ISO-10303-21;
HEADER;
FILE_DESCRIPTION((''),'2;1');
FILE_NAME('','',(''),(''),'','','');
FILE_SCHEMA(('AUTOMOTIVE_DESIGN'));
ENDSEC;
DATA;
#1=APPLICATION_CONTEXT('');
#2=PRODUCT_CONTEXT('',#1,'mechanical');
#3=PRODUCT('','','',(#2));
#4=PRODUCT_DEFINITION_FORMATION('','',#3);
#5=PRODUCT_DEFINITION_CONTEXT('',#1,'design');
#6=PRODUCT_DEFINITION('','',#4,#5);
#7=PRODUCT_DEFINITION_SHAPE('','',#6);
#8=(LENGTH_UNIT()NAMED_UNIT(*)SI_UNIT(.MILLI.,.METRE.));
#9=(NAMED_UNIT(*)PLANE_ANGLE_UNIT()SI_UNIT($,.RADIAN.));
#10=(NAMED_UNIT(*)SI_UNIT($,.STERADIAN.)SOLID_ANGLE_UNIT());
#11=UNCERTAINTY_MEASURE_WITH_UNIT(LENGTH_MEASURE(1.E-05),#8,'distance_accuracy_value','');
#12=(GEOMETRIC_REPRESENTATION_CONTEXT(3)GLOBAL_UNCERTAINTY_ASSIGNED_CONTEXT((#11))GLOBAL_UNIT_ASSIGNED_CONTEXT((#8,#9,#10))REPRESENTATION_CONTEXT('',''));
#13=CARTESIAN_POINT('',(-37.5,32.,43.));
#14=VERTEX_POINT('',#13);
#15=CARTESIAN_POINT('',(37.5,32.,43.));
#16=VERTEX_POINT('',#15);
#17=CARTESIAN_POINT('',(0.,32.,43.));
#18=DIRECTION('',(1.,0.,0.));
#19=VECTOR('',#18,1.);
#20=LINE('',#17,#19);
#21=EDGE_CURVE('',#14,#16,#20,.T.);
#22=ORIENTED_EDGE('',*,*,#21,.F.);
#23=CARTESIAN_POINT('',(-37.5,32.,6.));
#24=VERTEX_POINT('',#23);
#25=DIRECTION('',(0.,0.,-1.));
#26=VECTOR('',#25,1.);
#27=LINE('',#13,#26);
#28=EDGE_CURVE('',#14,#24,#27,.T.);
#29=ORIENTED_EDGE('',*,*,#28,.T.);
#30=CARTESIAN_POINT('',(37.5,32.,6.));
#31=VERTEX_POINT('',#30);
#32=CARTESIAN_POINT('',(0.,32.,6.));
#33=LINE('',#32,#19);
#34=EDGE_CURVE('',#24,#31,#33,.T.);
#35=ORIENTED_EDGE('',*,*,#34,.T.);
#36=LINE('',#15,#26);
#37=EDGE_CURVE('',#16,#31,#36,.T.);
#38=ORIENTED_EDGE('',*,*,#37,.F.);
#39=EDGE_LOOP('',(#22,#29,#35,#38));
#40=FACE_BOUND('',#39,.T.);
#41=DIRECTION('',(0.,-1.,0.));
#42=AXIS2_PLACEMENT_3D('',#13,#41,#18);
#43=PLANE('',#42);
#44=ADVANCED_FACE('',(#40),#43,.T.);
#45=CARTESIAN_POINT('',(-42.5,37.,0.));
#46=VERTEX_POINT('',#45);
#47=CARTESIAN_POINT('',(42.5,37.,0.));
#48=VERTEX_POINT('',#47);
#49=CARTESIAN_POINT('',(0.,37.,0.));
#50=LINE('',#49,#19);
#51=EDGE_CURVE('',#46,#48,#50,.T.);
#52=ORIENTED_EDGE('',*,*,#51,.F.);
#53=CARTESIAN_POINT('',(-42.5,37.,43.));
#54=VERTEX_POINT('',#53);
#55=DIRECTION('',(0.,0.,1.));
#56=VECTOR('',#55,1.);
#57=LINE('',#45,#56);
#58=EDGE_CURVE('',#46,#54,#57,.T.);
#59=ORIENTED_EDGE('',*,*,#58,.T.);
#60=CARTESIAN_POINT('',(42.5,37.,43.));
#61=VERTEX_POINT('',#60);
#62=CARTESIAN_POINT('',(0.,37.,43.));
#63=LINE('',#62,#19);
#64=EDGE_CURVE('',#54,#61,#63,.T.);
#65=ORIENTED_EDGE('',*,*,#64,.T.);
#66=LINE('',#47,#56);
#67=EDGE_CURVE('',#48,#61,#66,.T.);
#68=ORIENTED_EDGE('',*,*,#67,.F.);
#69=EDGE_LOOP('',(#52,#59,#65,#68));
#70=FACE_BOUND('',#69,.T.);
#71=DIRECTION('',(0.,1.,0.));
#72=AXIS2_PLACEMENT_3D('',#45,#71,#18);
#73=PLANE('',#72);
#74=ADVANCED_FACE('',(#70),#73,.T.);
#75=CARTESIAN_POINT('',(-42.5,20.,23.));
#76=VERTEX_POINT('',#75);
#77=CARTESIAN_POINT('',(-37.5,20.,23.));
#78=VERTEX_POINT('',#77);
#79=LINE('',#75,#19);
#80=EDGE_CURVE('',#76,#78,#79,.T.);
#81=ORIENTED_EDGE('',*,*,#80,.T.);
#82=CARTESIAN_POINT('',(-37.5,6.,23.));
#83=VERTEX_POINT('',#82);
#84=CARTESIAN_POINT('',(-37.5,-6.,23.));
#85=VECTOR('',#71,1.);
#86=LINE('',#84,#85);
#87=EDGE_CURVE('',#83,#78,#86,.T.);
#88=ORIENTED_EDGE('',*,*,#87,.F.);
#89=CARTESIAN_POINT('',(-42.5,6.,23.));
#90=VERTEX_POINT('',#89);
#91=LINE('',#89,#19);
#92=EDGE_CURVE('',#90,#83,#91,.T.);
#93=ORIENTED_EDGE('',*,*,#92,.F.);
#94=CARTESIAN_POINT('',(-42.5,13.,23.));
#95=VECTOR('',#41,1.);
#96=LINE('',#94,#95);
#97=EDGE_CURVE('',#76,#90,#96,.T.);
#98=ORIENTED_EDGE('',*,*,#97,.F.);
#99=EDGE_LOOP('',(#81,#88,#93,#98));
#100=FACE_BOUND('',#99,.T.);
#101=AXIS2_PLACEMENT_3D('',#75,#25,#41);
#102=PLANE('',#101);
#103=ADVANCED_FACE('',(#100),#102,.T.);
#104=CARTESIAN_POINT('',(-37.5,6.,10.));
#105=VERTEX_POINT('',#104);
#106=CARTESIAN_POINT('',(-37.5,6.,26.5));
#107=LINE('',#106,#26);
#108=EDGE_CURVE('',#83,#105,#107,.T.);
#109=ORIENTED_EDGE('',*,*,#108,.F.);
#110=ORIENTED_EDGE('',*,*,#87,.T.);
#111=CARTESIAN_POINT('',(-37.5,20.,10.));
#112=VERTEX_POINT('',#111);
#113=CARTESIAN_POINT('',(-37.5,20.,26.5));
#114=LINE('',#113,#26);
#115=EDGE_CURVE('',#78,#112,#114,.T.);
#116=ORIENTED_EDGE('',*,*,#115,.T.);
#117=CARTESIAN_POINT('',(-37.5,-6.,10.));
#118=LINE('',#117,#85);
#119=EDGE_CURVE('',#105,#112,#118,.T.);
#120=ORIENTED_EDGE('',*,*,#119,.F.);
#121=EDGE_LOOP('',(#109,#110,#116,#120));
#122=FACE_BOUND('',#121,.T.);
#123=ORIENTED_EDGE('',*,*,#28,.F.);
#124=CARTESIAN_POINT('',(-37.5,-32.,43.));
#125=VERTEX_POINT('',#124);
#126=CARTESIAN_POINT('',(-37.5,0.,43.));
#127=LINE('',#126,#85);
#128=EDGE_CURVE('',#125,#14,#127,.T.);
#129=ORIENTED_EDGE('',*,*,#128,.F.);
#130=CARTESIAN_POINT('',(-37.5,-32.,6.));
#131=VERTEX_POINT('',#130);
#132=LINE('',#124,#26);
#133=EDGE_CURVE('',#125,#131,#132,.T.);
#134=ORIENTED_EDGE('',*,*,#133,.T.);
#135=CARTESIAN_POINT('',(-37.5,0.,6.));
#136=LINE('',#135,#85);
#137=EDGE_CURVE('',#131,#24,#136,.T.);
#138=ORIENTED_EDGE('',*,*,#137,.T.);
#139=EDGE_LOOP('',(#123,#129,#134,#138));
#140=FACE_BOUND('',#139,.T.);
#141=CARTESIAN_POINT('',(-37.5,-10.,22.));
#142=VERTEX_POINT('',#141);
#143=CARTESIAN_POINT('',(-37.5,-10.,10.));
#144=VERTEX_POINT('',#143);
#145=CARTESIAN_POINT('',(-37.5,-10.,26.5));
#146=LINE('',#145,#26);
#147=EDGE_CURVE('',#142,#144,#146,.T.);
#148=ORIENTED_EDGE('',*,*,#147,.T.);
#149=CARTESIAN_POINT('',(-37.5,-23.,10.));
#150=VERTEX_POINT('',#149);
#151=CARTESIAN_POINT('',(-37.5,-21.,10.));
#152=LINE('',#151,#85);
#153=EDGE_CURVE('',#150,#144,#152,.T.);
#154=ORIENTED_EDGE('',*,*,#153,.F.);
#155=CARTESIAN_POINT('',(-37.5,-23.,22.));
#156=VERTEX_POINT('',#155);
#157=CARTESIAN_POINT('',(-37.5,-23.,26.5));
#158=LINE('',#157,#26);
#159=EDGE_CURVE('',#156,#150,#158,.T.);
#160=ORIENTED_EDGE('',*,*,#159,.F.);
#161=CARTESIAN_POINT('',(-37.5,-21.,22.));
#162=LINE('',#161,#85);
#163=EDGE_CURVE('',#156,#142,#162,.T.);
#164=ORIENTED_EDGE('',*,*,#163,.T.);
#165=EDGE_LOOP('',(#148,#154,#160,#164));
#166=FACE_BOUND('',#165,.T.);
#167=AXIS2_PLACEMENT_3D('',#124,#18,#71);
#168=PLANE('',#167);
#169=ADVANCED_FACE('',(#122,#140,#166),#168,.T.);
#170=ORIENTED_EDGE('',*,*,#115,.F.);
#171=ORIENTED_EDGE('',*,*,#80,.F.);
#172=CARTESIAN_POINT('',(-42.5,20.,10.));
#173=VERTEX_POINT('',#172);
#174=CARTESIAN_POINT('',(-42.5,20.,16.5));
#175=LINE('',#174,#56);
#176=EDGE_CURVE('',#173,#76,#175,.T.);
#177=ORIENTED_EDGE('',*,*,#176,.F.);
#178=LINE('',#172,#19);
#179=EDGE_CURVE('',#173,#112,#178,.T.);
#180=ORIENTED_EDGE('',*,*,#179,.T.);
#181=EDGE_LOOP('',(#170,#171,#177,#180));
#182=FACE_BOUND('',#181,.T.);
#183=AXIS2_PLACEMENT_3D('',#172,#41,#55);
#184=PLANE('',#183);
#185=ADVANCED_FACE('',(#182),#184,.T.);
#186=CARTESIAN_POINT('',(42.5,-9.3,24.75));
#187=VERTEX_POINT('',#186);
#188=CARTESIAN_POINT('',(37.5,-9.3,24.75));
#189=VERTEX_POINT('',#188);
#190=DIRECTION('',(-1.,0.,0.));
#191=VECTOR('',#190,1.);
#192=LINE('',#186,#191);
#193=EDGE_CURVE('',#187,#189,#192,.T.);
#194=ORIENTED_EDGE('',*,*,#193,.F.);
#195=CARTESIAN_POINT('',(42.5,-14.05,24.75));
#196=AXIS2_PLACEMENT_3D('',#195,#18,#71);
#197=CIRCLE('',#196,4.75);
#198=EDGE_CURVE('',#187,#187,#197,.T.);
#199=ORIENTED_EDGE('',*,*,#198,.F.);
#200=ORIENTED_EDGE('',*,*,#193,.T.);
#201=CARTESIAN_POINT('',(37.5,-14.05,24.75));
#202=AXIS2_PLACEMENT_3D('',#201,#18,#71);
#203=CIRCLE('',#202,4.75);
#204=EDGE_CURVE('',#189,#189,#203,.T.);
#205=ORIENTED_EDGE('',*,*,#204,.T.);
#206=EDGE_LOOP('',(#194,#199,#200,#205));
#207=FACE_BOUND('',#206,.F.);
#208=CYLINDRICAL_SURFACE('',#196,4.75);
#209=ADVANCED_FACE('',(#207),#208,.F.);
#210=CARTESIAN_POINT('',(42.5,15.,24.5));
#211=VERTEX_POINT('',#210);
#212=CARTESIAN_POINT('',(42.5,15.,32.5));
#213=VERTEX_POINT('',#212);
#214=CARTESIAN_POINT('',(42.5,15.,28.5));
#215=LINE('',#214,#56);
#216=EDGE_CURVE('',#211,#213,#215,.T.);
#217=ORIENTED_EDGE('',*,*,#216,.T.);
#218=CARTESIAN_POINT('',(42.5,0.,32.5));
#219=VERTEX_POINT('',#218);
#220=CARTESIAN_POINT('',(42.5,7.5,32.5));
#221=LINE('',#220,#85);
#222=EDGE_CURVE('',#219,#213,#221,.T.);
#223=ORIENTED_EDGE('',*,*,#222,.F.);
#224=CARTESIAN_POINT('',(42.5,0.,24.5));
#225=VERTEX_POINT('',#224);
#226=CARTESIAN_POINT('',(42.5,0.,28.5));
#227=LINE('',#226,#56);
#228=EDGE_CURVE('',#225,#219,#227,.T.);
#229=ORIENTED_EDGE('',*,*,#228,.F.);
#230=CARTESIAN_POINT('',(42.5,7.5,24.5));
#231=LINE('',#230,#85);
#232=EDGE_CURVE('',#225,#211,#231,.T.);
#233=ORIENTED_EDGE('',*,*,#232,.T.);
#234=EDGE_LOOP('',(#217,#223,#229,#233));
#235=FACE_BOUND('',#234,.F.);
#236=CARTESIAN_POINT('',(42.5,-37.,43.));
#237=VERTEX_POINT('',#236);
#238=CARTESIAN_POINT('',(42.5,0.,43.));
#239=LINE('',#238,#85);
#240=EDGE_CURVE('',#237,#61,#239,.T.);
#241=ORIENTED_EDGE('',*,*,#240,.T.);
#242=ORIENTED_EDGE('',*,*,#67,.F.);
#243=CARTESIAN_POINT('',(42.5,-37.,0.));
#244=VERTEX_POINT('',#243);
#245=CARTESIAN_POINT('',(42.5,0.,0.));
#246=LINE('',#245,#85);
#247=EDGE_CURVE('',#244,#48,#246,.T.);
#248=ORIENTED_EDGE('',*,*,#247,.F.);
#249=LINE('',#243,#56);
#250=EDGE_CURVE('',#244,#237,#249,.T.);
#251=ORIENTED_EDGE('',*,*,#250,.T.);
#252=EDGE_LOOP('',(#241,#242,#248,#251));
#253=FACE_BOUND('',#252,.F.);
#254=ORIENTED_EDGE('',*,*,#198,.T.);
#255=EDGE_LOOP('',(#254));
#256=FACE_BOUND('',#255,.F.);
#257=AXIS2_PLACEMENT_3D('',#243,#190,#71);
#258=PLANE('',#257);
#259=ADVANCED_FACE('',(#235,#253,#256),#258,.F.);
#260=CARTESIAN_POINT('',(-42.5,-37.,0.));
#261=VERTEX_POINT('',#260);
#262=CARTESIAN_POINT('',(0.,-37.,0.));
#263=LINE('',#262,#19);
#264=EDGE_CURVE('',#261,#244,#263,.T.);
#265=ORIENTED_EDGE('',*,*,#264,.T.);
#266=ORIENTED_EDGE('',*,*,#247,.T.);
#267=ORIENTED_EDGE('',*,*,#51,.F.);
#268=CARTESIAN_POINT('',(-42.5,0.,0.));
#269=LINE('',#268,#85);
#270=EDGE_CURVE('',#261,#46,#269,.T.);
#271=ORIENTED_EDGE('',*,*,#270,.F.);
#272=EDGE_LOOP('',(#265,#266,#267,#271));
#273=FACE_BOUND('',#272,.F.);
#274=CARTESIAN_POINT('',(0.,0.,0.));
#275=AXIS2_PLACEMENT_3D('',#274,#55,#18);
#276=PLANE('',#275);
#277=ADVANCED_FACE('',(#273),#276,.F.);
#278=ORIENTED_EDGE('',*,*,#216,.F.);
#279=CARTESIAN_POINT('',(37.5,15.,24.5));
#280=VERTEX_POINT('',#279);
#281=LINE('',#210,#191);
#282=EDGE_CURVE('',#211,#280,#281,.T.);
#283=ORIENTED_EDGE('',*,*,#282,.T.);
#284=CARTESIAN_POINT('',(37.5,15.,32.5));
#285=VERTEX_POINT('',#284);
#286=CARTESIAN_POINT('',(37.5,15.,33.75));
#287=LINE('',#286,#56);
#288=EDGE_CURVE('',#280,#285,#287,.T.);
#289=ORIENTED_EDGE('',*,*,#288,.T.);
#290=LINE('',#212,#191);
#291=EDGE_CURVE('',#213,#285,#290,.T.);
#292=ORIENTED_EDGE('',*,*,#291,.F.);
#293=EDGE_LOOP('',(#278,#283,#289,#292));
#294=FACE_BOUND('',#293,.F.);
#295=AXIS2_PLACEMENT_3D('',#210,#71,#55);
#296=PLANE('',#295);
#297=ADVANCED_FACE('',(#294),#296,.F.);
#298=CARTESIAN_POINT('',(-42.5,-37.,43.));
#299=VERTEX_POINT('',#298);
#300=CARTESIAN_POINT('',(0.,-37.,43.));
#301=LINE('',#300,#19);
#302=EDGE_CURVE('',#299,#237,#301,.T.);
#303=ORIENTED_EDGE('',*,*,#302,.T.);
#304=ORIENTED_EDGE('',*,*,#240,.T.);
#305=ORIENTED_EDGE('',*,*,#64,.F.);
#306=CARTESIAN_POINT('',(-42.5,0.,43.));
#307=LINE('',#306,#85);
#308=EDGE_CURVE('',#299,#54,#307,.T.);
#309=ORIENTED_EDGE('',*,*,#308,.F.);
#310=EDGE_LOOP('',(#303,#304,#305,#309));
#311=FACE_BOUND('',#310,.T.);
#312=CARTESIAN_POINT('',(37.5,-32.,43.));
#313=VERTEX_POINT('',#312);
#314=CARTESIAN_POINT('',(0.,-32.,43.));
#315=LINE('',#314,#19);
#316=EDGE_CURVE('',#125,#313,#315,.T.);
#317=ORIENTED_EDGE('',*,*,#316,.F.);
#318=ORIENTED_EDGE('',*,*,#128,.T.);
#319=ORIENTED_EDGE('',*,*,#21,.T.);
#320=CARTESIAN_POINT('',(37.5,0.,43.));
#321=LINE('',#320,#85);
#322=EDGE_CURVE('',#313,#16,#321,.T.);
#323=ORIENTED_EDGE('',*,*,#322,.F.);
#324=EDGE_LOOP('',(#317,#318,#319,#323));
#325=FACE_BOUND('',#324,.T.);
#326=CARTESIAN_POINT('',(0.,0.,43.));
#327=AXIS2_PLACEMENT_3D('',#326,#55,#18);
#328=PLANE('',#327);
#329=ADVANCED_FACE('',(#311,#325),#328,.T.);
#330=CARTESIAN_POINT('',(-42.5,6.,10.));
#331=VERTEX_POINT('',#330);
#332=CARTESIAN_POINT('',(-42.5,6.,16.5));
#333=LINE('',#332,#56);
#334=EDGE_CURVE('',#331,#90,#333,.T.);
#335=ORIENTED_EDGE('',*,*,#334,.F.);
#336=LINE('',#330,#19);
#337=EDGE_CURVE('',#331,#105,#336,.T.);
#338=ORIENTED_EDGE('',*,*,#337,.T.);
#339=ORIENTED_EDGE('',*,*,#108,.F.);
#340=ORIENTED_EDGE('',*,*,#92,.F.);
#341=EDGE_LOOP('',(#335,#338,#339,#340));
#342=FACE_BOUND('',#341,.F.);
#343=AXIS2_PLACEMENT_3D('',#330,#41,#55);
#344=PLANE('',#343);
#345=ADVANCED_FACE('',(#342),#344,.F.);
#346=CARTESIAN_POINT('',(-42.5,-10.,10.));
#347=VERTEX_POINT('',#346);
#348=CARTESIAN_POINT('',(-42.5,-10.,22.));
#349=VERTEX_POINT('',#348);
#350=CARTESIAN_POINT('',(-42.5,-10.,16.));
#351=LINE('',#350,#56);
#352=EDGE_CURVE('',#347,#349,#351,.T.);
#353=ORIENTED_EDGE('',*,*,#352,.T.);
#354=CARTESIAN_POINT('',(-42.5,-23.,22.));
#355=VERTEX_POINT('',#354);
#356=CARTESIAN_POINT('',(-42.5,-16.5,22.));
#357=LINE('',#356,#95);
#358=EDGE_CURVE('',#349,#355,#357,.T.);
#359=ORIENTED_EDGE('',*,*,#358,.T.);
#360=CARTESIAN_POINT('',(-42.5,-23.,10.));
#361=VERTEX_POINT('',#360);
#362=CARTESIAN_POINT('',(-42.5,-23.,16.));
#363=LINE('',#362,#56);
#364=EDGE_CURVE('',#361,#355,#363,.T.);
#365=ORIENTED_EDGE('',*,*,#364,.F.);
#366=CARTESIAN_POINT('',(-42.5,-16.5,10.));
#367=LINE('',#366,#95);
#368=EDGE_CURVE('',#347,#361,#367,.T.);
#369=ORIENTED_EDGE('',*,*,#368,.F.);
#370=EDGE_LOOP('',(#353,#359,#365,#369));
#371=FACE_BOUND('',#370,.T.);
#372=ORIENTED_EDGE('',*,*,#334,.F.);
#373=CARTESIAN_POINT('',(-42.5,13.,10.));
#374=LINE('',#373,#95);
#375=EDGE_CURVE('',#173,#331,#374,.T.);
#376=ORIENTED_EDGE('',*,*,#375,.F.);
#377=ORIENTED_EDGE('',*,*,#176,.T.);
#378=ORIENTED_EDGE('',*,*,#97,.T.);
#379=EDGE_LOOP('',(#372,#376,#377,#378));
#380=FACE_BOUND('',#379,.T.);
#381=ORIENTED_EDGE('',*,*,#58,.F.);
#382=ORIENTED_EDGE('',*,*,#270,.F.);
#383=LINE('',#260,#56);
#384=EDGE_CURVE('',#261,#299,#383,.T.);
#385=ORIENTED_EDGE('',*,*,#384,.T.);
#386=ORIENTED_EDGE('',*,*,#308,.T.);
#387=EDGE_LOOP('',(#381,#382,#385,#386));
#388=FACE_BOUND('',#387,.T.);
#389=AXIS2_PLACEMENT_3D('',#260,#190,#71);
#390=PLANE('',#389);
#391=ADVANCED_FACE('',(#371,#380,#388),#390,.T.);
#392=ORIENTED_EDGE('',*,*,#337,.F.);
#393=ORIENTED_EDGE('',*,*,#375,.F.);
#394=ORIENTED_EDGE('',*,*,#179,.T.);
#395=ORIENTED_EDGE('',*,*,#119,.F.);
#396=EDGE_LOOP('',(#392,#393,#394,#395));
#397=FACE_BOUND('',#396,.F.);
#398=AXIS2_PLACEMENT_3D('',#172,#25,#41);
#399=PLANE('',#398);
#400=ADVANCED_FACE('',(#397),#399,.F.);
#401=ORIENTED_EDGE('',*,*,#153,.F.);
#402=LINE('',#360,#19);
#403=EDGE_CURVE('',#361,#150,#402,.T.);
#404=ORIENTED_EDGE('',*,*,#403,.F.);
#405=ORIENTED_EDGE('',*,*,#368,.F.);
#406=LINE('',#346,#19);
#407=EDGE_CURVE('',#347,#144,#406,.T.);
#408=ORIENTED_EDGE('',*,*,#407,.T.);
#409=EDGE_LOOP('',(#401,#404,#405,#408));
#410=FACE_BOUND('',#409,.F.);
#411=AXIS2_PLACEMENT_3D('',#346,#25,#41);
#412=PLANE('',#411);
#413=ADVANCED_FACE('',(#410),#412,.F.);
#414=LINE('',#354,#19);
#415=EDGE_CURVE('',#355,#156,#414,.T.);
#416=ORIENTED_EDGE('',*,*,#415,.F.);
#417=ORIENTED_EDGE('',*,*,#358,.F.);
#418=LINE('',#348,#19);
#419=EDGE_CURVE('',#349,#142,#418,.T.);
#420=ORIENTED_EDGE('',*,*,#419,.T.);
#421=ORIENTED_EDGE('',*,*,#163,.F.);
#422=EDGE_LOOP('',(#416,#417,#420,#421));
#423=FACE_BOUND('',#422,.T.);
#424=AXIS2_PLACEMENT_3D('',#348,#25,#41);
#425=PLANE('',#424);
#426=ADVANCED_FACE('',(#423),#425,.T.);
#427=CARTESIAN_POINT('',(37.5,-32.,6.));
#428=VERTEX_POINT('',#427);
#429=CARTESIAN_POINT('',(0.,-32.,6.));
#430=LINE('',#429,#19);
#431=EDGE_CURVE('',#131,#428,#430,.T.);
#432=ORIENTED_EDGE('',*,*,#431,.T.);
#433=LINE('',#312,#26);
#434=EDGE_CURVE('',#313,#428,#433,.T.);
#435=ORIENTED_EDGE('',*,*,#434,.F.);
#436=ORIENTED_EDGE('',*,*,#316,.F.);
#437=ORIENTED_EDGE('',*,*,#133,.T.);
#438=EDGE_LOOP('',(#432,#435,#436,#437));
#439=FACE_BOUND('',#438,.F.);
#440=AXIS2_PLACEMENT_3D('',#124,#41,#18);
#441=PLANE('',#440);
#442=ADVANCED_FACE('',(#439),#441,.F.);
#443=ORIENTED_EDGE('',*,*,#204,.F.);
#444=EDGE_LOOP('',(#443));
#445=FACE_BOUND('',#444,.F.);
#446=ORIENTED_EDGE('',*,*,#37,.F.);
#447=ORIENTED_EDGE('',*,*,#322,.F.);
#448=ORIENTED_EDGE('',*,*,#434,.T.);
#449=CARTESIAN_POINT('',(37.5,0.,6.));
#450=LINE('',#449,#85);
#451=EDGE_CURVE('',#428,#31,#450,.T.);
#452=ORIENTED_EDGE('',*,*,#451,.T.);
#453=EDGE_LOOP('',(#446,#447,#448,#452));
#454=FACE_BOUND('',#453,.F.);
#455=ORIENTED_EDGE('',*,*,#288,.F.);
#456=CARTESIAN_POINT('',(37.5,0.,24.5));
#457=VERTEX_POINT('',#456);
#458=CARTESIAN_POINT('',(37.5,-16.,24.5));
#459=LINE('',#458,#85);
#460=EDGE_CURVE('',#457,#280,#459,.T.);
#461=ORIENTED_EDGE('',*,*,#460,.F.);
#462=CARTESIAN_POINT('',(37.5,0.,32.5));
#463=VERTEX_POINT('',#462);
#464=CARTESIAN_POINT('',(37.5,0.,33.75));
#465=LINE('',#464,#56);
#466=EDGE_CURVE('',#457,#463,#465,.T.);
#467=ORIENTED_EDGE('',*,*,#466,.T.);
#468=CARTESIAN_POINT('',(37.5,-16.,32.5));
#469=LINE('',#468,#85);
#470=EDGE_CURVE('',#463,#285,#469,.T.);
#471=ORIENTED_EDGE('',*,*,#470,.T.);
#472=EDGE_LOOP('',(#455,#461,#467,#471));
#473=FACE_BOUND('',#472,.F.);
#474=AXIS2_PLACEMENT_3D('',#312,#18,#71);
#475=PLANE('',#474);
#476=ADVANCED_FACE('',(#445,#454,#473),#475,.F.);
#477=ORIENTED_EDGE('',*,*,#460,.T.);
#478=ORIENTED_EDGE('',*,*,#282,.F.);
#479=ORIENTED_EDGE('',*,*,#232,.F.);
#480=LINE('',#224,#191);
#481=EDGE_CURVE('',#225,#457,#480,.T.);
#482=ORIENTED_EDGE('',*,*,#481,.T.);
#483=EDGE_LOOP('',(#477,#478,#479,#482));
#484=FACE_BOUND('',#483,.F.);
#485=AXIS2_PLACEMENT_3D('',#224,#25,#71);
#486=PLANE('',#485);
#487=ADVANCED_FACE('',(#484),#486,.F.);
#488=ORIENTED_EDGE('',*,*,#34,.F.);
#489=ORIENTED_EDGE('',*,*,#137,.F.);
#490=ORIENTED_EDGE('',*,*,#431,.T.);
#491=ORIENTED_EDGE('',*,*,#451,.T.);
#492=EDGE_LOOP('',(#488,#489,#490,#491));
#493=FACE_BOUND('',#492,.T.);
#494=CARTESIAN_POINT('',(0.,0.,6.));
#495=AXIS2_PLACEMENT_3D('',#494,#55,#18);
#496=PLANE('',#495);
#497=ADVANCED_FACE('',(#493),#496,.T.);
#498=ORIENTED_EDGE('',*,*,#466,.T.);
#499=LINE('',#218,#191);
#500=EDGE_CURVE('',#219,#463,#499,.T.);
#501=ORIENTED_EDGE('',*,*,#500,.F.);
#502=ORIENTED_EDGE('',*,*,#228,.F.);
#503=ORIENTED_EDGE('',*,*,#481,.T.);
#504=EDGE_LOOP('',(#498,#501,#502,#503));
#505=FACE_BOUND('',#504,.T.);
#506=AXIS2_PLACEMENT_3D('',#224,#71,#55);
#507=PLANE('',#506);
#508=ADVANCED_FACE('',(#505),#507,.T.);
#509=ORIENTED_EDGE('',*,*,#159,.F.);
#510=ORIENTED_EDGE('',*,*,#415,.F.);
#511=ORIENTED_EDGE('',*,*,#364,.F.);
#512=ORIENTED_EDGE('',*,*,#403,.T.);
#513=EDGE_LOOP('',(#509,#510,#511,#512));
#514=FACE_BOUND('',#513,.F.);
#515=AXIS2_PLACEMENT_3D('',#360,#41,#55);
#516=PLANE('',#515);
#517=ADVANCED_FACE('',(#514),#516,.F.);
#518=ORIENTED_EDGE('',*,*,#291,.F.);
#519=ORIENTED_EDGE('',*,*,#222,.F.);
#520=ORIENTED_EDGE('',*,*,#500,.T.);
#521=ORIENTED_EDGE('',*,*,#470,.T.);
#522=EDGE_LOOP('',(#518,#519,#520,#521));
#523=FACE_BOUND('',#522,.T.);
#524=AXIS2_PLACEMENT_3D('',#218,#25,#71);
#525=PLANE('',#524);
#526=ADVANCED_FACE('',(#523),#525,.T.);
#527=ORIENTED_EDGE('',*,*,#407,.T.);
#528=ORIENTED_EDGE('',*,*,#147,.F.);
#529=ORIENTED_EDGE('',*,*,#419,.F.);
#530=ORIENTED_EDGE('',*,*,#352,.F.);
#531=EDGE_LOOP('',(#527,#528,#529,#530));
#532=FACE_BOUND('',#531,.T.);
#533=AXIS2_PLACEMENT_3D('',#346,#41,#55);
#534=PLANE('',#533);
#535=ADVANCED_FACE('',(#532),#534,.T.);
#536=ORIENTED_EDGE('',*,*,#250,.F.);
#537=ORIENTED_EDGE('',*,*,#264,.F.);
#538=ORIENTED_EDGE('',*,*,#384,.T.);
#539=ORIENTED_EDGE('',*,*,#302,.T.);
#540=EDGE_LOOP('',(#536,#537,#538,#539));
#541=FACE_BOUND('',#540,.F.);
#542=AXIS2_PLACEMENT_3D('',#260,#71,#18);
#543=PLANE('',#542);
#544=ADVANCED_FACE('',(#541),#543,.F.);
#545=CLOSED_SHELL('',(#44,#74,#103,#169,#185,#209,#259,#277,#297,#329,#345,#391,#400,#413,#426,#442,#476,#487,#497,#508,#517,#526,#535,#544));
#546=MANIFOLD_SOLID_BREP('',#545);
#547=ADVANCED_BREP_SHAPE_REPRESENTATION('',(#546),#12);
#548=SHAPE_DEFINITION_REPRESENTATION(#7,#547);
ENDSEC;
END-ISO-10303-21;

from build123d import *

# Parameters (mm, degrees)
F0_W      = 85
F0_H      = 74
F1_DEPTH  = 43
F2_W      = 75
F2_H      = 64
F3_DEPTH  = 37
F4_W      = 15
F4_H      = 8
F5_DEPTH  = 6
F6_R      = 4.75
F7_DEPTH  = 6
F8_W      = 14
F8_H      = 13
F9_DEPTH  = 6
F10_W     = 13
F10_H     = 12
F11_DEPTH = 6


with BuildPart() as f1:
    # F0 (on Top) → F1 (new body)
    with BuildSketch(Plane.XY):
        Rectangle(F0_W, F0_H)
    extrude(amount=F1_DEPTH)

    # F2 (on face) → F3 (cut)
    with BuildSketch(Plane.XY.offset(43)):
        Rectangle(F2_W, F2_H)
    extrude(amount=-F3_DEPTH, mode=Mode.SUBTRACT)

    # F4 (on face) → F5 (cut)
    with BuildSketch(Plane.YZ.offset(42.5)):
        with Locations((7.5, 28.5)):
            Rectangle(F4_W, F4_H)
    extrude(amount=-F5_DEPTH, mode=Mode.SUBTRACT)

    # F6 (on face) → F7 (cut)
    with BuildSketch(Plane.YZ.offset(42.5)):
        with Locations((-14.05, 24.75)):
            Circle(F6_R)
    extrude(amount=-F7_DEPTH, mode=Mode.SUBTRACT)

    # F8 (on face) → F9 (cut)
    with BuildSketch(Plane(origin=(-42.5, 0, 0), x_dir=(0, -1, 0), z_dir=(-1, 0, 0))):
        with Locations((-13, 16.5)):
            Rectangle(F8_W, F8_H)
    extrude(amount=-F9_DEPTH, mode=Mode.SUBTRACT)

    # F10 (on face) → F11 (cut)
    with BuildSketch(Plane(origin=(-42.5, 0, 0), x_dir=(0, -1, 0), z_dir=(-1, 0, 0))):
        with Locations((16.5, 16)):
            Rectangle(F10_W, F10_H)
    extrude(amount=-F11_DEPTH, mode=Mode.SUBTRACT)


solid = f1.part
